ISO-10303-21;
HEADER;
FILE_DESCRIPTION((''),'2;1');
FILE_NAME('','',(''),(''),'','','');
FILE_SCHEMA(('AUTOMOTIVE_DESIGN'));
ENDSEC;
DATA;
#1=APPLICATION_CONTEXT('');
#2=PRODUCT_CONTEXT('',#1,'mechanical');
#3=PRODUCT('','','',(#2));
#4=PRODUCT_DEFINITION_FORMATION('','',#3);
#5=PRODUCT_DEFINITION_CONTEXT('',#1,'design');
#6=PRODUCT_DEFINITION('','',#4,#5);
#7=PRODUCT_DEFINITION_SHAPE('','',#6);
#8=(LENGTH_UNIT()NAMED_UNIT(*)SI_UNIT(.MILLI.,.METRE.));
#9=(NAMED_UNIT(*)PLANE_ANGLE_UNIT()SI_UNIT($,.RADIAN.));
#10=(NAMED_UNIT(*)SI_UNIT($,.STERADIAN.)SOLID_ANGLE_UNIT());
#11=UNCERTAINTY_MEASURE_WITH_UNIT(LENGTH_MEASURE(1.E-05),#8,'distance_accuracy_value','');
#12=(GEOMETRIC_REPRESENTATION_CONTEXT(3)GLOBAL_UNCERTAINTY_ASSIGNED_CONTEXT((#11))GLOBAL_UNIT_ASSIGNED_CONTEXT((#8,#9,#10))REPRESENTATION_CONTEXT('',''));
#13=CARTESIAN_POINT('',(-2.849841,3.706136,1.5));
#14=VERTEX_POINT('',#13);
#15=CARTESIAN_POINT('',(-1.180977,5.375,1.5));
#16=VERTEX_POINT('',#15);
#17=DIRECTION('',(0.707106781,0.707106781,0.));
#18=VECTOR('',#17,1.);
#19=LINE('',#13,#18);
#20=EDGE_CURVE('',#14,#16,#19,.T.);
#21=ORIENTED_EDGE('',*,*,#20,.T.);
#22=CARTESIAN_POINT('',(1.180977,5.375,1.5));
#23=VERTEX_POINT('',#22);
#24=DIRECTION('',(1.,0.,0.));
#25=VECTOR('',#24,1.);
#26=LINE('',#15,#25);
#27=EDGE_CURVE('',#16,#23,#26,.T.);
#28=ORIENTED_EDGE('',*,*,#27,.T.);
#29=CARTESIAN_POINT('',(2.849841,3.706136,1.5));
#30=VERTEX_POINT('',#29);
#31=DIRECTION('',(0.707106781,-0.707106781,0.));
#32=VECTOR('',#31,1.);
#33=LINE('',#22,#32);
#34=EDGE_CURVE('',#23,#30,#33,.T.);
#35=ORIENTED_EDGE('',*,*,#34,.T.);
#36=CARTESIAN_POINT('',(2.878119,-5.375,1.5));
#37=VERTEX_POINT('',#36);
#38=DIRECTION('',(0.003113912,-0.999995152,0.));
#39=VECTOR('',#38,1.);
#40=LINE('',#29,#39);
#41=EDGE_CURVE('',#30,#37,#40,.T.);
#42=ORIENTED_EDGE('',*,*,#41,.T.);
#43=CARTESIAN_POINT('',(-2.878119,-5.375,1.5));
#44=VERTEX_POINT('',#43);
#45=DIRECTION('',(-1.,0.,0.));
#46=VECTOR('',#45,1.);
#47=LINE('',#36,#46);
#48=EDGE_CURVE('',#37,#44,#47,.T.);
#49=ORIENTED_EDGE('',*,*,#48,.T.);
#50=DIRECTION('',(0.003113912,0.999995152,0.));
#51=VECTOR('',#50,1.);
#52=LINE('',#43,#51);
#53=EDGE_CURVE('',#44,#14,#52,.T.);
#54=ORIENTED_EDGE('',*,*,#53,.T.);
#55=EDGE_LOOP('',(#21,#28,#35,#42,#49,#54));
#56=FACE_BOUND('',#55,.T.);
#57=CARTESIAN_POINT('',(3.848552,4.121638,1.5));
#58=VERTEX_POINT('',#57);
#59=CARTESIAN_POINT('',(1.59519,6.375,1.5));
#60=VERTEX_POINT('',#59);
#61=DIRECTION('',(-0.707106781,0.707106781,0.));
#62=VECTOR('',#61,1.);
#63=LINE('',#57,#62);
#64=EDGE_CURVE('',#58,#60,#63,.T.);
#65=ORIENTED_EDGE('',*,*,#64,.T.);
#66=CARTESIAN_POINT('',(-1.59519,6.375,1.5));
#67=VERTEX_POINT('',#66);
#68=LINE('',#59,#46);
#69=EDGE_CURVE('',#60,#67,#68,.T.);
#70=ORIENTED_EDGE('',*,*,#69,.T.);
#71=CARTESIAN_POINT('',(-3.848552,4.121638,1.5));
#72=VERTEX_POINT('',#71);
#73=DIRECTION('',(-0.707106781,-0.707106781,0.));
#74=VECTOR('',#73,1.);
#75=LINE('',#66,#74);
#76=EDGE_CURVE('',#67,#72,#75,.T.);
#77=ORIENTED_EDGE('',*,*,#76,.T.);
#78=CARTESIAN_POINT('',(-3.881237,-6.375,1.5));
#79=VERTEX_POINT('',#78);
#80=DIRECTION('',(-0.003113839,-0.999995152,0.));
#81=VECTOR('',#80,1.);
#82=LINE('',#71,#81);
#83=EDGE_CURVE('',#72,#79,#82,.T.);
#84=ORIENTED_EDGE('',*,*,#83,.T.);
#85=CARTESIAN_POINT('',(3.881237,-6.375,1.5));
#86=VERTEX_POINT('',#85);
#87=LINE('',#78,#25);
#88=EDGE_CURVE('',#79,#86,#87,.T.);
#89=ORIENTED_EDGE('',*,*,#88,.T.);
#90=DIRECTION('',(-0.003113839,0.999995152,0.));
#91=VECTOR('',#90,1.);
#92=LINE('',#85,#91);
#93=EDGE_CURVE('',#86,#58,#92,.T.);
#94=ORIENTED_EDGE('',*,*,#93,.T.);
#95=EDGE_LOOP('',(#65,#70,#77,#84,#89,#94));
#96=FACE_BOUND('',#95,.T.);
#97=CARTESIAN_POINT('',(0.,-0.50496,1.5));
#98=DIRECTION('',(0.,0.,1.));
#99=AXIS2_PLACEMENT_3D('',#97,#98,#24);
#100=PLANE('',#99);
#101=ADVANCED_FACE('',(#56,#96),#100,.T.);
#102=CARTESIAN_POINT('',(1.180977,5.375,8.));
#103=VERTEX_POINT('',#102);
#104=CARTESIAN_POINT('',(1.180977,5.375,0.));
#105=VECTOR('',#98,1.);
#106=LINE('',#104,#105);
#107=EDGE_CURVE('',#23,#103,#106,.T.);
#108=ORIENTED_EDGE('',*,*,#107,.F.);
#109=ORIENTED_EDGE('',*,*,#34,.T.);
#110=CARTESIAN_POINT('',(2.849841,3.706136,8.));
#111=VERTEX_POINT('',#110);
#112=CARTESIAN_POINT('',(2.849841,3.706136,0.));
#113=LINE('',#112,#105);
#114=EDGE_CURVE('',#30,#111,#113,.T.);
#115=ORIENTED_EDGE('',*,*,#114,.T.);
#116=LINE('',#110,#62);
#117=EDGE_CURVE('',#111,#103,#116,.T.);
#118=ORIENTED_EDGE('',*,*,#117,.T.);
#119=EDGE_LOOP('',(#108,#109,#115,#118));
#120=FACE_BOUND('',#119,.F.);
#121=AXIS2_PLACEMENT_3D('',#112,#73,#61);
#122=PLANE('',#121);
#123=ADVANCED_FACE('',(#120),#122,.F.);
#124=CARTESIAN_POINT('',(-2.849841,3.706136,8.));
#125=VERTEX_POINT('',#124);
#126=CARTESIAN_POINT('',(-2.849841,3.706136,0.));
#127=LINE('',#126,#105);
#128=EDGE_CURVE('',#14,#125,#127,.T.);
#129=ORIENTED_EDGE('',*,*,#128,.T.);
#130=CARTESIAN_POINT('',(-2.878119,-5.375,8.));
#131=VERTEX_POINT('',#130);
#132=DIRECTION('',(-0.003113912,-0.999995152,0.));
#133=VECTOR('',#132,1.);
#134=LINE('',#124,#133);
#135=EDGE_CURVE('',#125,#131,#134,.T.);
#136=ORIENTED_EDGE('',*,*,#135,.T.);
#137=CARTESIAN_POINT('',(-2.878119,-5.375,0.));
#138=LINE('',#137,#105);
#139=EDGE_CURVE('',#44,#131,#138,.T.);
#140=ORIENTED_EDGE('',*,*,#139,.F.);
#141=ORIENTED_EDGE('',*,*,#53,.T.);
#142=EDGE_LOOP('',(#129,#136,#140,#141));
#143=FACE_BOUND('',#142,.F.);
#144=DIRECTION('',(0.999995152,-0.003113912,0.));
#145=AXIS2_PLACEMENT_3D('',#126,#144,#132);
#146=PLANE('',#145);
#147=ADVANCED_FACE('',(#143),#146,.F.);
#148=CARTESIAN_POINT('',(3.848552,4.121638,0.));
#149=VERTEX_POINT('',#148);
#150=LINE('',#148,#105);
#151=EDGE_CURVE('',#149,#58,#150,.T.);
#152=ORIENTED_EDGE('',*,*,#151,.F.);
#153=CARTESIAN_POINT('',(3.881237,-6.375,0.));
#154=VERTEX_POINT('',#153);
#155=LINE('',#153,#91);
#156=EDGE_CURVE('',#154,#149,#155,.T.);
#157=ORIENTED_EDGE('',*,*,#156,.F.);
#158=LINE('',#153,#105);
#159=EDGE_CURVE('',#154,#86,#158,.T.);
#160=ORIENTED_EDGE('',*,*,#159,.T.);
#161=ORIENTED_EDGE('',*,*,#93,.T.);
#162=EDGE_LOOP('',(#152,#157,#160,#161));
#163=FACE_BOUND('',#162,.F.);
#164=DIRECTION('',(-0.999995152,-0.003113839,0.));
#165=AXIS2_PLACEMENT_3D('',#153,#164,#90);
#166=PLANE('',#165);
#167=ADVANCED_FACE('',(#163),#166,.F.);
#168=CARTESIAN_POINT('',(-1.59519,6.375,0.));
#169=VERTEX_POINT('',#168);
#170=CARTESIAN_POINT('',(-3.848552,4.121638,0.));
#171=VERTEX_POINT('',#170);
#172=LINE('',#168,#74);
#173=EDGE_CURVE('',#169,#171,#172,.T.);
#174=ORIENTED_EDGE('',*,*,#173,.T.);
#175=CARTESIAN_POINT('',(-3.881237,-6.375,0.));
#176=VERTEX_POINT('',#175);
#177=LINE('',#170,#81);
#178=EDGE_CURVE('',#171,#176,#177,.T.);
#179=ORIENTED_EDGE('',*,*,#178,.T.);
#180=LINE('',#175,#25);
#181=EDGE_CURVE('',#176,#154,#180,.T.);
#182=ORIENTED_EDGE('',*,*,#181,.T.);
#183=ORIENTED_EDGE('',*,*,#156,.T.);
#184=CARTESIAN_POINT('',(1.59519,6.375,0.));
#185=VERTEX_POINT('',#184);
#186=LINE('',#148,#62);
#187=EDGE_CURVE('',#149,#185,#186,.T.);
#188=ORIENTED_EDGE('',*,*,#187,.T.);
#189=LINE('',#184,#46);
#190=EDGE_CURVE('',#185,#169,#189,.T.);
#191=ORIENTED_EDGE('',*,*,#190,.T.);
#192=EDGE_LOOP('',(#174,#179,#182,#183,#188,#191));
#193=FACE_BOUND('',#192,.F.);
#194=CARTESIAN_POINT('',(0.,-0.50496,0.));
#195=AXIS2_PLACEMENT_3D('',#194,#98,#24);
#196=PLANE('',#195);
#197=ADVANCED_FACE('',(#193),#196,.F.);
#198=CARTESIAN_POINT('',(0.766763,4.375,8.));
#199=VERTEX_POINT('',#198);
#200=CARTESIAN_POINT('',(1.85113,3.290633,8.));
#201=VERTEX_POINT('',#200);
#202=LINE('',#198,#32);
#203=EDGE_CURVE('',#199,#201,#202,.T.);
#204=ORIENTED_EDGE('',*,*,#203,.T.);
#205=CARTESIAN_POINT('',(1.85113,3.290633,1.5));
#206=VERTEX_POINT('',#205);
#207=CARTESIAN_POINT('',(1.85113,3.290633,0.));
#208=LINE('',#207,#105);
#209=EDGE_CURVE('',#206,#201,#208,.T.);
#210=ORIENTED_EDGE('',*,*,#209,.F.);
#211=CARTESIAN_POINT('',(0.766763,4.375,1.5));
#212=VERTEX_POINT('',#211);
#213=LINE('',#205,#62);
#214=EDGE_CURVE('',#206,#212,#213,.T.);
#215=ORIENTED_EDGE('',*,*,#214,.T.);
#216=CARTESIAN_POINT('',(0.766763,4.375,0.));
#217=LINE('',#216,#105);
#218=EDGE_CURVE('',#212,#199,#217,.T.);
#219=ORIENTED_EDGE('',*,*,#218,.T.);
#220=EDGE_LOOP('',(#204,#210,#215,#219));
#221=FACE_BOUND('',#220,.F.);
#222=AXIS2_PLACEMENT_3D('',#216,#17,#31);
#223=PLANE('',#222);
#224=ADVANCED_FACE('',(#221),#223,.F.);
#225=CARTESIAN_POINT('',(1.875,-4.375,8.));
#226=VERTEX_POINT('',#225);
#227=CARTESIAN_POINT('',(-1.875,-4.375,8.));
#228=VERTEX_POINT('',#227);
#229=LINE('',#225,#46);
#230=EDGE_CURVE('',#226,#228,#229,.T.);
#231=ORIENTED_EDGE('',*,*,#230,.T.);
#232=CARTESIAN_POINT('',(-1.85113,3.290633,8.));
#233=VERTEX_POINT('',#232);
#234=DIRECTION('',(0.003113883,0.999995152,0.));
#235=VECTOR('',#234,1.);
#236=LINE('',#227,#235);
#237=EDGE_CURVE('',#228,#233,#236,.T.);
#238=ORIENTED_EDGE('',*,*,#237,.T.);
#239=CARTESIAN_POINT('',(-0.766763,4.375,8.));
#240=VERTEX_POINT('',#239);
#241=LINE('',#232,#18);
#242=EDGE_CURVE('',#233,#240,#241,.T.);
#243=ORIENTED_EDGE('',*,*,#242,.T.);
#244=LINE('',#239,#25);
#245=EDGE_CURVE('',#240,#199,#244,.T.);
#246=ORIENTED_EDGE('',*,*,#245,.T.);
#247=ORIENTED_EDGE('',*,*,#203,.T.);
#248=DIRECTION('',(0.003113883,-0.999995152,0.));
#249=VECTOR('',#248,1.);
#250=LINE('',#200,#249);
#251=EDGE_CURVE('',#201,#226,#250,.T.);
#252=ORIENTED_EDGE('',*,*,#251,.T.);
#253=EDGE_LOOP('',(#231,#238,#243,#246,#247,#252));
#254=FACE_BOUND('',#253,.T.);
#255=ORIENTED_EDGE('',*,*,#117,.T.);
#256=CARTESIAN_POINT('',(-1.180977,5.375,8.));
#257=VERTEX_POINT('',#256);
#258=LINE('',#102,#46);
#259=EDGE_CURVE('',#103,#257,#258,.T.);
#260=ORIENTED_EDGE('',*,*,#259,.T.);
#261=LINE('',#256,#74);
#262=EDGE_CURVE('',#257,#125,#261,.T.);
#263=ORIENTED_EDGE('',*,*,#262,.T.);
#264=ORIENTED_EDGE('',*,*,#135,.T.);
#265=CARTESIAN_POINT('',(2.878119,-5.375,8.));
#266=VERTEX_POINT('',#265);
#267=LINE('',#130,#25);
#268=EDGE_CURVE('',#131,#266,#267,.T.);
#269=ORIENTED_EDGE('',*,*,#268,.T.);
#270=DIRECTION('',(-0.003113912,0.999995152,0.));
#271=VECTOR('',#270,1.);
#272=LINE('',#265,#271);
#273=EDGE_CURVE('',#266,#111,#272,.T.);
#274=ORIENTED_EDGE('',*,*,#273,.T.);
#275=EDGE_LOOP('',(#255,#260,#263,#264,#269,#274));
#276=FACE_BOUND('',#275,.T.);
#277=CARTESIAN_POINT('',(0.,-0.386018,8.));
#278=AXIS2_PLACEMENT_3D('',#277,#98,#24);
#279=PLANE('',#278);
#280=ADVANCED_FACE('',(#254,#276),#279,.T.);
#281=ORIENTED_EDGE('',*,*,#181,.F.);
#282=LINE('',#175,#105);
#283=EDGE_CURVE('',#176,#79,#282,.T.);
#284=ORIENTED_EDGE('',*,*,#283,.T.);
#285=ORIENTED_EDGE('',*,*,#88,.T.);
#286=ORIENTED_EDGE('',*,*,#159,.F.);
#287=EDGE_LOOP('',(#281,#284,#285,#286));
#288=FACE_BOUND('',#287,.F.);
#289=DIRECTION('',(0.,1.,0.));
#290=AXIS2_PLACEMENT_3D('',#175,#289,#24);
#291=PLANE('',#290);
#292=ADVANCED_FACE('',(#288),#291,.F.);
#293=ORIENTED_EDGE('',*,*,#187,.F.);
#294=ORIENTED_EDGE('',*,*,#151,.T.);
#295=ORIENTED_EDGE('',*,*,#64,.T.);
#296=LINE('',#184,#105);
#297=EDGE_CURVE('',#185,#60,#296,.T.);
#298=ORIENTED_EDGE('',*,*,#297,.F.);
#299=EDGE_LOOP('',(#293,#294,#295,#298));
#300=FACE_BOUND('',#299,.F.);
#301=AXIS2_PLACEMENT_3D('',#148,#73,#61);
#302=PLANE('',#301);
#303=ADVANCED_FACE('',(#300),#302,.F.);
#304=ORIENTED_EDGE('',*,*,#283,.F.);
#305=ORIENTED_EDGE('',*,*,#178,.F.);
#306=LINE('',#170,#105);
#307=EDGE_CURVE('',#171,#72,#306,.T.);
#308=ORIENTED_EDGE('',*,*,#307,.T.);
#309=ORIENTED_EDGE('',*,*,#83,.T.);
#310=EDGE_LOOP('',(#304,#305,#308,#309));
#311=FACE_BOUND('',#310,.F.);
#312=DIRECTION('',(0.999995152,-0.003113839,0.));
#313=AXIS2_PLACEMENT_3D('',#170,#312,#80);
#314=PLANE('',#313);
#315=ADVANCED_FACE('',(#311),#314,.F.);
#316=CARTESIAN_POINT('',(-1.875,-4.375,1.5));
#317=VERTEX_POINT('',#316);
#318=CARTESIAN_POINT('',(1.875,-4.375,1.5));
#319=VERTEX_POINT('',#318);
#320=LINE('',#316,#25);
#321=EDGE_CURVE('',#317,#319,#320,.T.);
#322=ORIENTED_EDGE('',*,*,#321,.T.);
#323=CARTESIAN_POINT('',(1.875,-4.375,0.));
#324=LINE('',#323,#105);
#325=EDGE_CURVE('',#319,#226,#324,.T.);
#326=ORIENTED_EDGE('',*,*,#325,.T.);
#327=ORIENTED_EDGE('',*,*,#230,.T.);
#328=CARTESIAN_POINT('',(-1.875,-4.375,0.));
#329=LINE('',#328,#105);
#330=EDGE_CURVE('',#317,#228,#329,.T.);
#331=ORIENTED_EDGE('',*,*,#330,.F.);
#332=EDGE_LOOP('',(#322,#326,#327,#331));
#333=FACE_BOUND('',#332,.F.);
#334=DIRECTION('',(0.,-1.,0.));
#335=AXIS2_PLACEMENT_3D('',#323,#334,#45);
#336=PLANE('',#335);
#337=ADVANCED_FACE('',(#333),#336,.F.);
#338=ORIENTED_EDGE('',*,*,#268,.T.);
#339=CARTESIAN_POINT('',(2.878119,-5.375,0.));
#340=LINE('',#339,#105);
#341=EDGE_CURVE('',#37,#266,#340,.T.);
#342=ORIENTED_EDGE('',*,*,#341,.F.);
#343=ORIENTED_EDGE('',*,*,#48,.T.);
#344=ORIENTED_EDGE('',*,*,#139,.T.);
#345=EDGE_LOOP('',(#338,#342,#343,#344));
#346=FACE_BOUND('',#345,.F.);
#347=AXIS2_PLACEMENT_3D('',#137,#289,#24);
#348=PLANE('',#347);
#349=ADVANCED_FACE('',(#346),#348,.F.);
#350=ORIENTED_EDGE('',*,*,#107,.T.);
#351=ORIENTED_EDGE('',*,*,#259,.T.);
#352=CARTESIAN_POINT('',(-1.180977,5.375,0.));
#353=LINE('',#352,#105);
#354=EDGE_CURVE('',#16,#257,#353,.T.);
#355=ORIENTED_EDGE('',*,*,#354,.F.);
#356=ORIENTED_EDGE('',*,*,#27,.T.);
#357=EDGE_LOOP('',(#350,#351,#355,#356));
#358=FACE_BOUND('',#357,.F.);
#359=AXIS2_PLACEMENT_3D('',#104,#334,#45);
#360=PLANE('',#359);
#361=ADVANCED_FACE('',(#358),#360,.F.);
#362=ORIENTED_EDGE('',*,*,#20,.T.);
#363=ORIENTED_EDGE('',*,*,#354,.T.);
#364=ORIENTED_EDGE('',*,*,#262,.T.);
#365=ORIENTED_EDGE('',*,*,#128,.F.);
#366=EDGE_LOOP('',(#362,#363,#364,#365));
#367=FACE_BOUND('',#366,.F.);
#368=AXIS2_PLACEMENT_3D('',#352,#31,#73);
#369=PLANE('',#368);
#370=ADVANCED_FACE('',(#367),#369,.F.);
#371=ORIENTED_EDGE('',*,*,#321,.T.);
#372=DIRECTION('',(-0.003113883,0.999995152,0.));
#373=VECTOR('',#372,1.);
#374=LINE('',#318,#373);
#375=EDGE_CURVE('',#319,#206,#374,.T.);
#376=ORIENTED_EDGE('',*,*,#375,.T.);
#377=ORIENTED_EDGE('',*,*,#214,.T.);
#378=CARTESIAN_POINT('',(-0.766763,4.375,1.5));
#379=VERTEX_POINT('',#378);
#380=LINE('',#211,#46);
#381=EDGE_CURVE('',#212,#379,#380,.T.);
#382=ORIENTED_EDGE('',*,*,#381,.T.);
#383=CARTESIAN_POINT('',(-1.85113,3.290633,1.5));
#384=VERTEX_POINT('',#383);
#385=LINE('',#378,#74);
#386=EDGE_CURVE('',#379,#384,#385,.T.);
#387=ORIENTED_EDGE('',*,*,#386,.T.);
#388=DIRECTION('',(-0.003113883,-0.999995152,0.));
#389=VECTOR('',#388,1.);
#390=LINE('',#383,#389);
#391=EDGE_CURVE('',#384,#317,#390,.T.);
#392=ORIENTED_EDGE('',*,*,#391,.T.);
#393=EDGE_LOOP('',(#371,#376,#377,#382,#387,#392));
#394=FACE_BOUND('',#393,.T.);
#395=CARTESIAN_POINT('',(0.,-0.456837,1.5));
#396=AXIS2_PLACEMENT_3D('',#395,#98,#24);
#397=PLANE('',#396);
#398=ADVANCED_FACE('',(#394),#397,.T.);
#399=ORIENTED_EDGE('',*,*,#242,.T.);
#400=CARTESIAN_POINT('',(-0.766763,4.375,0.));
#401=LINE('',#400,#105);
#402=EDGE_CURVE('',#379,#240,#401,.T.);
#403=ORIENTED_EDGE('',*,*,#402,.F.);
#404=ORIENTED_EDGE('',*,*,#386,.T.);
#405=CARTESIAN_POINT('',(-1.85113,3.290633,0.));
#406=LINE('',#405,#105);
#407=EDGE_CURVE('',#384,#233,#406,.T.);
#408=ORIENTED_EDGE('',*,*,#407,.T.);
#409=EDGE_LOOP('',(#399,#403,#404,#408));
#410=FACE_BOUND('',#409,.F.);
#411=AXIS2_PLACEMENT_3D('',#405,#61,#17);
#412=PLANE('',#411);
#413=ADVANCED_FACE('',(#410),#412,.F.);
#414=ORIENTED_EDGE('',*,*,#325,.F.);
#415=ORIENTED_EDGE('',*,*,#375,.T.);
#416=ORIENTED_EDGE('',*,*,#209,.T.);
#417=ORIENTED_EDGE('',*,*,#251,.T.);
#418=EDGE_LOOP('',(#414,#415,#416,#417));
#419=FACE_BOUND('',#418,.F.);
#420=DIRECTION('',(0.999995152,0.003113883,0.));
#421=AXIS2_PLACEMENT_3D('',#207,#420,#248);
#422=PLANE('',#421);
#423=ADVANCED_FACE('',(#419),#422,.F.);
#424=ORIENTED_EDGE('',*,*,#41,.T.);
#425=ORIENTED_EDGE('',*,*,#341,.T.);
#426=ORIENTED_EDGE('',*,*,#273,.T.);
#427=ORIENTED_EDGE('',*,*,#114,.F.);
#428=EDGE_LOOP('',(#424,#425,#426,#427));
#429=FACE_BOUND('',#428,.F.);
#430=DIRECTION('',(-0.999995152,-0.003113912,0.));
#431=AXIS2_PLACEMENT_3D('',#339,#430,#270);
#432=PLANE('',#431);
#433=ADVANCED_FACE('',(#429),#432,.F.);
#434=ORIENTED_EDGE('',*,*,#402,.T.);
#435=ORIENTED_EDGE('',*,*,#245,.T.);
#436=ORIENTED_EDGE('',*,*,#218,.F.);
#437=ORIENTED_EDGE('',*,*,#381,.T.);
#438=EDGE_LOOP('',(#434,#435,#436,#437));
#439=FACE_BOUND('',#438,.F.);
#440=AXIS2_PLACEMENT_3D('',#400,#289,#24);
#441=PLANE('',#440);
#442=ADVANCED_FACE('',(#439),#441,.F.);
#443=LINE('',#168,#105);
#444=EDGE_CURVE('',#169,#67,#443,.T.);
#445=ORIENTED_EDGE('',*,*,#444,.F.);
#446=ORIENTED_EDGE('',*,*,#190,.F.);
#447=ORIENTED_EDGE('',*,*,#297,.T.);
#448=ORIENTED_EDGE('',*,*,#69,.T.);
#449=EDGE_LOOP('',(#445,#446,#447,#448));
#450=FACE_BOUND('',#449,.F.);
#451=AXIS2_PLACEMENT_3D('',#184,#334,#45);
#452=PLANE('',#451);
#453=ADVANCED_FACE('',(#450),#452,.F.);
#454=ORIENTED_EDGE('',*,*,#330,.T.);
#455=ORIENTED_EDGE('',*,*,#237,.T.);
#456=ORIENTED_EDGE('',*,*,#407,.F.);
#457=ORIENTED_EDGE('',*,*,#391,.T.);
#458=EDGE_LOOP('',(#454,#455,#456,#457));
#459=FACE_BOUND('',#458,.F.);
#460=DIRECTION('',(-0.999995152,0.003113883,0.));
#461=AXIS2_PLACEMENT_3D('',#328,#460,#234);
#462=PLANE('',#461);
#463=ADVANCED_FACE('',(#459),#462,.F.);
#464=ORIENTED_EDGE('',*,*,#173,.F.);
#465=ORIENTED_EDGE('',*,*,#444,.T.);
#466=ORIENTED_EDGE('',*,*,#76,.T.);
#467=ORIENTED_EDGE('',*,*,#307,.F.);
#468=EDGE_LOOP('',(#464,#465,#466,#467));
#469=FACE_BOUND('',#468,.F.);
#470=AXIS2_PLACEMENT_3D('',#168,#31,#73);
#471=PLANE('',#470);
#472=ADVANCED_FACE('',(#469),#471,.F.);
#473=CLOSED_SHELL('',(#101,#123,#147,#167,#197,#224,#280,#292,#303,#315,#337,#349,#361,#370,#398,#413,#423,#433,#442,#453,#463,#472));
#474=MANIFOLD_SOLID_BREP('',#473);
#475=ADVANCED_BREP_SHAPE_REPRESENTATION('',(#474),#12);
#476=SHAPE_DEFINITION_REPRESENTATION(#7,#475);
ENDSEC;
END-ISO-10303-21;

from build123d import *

# Parameters (mm, degrees)
F1_DEPTH = 8
F2_DEPTH = 1.5


with BuildPart() as f1:
    # F0 (on Top) → F1 (new body)
    with BuildSketch(Plane.XY):
        Polygon((-1.180977, 5.375), (-2.849841, 3.706136), (-2.878119, -5.375), (2.878119, -5.375), (2.849841, 3.706136), (1.180977, 5.375), align=None)
        Polygon((1.85113, 3.290633), (1.875, -4.375), (-1.875, -4.375), (-1.85113, 3.290633), (-0.766763, 4.375), (0.766763, 4.375), align=None, mode=Mode.SUBTRACT)
    extrude(amount=F1_DEPTH)

    # F0 (on Top) → F2 (join)
    with BuildSketch(Plane.XY):
        Polygon((-1.59519, 6.375), (-3.848552, 4.121638), (-3.881237, -6.375), (3.881237, -6.375), (3.848552, 4.121638), (1.59519, 6.375), align=None)
        Polygon((-2.878119, -5.375), (-2.849841, 3.706136), (-1.180977, 5.375), (1.180977, 5.375), (2.849841, 3.706136), (2.878119, -5.375), align=None, mode=Mode.SUBTRACT)
        Polygon((-1.875, -4.375), (1.875, -4.375), (1.85113, 3.290633), (1.85113, 1.757106), (0.766763, 0.672739), (-0.766763, 0.672739), (-1.85113, 1.757106), (-1.85113, 3.290633), align=None)
        Polygon((1.85113, 1.757106), (1.85113, 3.290633), (0.766763, 4.375), (-0.766763, 4.375), (-1.85113, 3.290633), (-1.85113, 1.757106), (-0.766763, 0.672739), (0.766763, 0.672739), align=None)
    extrude(amount=F2_DEPTH)


solid = f1.part
